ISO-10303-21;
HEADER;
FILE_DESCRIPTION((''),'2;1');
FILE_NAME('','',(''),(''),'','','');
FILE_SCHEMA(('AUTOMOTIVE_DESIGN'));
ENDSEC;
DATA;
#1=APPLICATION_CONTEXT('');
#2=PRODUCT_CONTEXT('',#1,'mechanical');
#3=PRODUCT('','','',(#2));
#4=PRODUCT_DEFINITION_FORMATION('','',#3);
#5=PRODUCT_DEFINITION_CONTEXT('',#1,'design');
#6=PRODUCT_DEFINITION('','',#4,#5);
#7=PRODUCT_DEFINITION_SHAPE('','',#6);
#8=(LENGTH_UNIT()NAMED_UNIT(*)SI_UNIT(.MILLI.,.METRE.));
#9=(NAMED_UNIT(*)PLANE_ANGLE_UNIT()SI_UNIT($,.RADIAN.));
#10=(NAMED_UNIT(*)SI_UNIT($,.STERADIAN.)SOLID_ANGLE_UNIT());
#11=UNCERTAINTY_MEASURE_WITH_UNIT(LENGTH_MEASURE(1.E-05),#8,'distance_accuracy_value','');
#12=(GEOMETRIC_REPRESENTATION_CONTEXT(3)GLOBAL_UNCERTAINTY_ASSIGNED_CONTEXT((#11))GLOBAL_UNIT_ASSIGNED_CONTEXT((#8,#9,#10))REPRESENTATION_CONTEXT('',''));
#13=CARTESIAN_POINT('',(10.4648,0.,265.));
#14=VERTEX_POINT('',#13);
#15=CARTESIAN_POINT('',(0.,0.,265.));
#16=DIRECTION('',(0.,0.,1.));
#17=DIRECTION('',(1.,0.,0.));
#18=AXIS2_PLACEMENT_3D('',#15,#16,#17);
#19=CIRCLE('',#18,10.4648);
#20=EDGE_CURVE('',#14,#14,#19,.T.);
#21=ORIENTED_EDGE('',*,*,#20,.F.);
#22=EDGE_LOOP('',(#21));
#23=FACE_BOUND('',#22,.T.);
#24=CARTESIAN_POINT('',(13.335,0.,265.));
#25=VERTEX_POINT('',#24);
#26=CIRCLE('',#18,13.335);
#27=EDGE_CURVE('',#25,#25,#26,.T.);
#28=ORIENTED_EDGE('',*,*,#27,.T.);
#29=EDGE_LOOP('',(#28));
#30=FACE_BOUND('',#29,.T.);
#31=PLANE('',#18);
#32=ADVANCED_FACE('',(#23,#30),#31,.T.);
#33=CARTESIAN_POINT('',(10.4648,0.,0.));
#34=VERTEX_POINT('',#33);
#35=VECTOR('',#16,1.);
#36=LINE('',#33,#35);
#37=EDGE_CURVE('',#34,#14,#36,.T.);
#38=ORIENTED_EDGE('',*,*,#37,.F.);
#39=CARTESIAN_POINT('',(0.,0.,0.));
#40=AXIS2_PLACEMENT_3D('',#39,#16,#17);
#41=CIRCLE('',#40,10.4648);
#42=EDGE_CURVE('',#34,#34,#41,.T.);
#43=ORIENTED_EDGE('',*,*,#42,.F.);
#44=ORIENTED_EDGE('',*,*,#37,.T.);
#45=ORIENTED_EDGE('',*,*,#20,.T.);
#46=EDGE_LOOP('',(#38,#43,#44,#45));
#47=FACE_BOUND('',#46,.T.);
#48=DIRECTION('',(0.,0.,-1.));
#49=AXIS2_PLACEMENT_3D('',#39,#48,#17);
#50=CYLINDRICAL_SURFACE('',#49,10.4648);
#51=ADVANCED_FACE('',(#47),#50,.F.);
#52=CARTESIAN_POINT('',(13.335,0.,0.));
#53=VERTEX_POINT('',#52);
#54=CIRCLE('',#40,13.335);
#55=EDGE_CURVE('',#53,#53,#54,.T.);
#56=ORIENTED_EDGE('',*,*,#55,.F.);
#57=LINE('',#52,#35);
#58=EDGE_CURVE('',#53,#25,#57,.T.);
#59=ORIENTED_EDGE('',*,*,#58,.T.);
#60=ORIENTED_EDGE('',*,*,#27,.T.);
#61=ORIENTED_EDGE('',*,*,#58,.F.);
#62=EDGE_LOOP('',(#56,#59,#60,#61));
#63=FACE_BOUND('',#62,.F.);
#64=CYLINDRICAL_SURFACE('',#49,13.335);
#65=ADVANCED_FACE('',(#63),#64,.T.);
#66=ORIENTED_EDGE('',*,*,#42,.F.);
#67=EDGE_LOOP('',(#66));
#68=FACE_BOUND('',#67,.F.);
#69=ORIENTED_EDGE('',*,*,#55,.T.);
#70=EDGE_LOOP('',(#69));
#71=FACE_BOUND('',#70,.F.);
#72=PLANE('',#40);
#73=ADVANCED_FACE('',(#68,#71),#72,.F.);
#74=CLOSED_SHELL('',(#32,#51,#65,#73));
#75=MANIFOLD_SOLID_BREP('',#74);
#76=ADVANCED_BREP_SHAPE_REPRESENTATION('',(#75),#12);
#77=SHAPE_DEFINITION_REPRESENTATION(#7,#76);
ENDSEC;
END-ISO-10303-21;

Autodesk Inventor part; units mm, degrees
ref_plane "YZ Plane" through (0, 0, 0) normal (1, 0, 0) x (0, 1, 0)
ref_plane "Start Plane" through (0, 0, 0) normal (0, 0, 1) x (1, 0, 0)
ref_plane "End Plane" through (0, 0, 265) normal (0, 0, 1) x (1, 0, 0)
sketch "Sketch" plane through (0, 0, 0) normal (0, 0, 1) x (1, 0, 0)
  circle A0 centre (0, 0) radius 10.4648
  circle A1 centre (0, 0) radius 13.335
  dimension "d0" = 26.67
  dimension "d1" = 2.8702
extrude "Body" add sketch "Sketch" along normal up to surface (265 mm away) from surface at 0
sketch "Sketch3" plane through (0, 0, 0) normal (0, 0, 1) x (1, 0, 0)
  line L0 (0, 0) -> (10, 0)
ref_plane "Work Plane3" through (0, 0, 0) normal (0, -1, 0) x (1, 0, 0)
sketch "Sketch4" plane through (0, 0, 0) normal (0, -1, 0) x (1, 0, 0)
  line L0 (-2, 0) -> (12, 0) projected
  line L1 (-2, 265) -> (12, 265) projected
  dimension "d7" = 265
equation "\"d0\" = G_H"
equation "\"d1\" = G_T"
equation "\"d2\" = G_L"
equation "\"G_H\" = 26.67"
equation "\"G_T\" = 2.8702"
equation "\"G_L\" = d7"
equation "\"G_OFFSET_START\" = 0"
equation "\"G_OFFSET_END\" = 0"
equation "\"d5\" = G_OFFSET_END + B_L"
equation "\"B_L\" = 265"
properties part number "ANSI - 3/4 x 0.113 - 10.433" material "Steel, Mild"
